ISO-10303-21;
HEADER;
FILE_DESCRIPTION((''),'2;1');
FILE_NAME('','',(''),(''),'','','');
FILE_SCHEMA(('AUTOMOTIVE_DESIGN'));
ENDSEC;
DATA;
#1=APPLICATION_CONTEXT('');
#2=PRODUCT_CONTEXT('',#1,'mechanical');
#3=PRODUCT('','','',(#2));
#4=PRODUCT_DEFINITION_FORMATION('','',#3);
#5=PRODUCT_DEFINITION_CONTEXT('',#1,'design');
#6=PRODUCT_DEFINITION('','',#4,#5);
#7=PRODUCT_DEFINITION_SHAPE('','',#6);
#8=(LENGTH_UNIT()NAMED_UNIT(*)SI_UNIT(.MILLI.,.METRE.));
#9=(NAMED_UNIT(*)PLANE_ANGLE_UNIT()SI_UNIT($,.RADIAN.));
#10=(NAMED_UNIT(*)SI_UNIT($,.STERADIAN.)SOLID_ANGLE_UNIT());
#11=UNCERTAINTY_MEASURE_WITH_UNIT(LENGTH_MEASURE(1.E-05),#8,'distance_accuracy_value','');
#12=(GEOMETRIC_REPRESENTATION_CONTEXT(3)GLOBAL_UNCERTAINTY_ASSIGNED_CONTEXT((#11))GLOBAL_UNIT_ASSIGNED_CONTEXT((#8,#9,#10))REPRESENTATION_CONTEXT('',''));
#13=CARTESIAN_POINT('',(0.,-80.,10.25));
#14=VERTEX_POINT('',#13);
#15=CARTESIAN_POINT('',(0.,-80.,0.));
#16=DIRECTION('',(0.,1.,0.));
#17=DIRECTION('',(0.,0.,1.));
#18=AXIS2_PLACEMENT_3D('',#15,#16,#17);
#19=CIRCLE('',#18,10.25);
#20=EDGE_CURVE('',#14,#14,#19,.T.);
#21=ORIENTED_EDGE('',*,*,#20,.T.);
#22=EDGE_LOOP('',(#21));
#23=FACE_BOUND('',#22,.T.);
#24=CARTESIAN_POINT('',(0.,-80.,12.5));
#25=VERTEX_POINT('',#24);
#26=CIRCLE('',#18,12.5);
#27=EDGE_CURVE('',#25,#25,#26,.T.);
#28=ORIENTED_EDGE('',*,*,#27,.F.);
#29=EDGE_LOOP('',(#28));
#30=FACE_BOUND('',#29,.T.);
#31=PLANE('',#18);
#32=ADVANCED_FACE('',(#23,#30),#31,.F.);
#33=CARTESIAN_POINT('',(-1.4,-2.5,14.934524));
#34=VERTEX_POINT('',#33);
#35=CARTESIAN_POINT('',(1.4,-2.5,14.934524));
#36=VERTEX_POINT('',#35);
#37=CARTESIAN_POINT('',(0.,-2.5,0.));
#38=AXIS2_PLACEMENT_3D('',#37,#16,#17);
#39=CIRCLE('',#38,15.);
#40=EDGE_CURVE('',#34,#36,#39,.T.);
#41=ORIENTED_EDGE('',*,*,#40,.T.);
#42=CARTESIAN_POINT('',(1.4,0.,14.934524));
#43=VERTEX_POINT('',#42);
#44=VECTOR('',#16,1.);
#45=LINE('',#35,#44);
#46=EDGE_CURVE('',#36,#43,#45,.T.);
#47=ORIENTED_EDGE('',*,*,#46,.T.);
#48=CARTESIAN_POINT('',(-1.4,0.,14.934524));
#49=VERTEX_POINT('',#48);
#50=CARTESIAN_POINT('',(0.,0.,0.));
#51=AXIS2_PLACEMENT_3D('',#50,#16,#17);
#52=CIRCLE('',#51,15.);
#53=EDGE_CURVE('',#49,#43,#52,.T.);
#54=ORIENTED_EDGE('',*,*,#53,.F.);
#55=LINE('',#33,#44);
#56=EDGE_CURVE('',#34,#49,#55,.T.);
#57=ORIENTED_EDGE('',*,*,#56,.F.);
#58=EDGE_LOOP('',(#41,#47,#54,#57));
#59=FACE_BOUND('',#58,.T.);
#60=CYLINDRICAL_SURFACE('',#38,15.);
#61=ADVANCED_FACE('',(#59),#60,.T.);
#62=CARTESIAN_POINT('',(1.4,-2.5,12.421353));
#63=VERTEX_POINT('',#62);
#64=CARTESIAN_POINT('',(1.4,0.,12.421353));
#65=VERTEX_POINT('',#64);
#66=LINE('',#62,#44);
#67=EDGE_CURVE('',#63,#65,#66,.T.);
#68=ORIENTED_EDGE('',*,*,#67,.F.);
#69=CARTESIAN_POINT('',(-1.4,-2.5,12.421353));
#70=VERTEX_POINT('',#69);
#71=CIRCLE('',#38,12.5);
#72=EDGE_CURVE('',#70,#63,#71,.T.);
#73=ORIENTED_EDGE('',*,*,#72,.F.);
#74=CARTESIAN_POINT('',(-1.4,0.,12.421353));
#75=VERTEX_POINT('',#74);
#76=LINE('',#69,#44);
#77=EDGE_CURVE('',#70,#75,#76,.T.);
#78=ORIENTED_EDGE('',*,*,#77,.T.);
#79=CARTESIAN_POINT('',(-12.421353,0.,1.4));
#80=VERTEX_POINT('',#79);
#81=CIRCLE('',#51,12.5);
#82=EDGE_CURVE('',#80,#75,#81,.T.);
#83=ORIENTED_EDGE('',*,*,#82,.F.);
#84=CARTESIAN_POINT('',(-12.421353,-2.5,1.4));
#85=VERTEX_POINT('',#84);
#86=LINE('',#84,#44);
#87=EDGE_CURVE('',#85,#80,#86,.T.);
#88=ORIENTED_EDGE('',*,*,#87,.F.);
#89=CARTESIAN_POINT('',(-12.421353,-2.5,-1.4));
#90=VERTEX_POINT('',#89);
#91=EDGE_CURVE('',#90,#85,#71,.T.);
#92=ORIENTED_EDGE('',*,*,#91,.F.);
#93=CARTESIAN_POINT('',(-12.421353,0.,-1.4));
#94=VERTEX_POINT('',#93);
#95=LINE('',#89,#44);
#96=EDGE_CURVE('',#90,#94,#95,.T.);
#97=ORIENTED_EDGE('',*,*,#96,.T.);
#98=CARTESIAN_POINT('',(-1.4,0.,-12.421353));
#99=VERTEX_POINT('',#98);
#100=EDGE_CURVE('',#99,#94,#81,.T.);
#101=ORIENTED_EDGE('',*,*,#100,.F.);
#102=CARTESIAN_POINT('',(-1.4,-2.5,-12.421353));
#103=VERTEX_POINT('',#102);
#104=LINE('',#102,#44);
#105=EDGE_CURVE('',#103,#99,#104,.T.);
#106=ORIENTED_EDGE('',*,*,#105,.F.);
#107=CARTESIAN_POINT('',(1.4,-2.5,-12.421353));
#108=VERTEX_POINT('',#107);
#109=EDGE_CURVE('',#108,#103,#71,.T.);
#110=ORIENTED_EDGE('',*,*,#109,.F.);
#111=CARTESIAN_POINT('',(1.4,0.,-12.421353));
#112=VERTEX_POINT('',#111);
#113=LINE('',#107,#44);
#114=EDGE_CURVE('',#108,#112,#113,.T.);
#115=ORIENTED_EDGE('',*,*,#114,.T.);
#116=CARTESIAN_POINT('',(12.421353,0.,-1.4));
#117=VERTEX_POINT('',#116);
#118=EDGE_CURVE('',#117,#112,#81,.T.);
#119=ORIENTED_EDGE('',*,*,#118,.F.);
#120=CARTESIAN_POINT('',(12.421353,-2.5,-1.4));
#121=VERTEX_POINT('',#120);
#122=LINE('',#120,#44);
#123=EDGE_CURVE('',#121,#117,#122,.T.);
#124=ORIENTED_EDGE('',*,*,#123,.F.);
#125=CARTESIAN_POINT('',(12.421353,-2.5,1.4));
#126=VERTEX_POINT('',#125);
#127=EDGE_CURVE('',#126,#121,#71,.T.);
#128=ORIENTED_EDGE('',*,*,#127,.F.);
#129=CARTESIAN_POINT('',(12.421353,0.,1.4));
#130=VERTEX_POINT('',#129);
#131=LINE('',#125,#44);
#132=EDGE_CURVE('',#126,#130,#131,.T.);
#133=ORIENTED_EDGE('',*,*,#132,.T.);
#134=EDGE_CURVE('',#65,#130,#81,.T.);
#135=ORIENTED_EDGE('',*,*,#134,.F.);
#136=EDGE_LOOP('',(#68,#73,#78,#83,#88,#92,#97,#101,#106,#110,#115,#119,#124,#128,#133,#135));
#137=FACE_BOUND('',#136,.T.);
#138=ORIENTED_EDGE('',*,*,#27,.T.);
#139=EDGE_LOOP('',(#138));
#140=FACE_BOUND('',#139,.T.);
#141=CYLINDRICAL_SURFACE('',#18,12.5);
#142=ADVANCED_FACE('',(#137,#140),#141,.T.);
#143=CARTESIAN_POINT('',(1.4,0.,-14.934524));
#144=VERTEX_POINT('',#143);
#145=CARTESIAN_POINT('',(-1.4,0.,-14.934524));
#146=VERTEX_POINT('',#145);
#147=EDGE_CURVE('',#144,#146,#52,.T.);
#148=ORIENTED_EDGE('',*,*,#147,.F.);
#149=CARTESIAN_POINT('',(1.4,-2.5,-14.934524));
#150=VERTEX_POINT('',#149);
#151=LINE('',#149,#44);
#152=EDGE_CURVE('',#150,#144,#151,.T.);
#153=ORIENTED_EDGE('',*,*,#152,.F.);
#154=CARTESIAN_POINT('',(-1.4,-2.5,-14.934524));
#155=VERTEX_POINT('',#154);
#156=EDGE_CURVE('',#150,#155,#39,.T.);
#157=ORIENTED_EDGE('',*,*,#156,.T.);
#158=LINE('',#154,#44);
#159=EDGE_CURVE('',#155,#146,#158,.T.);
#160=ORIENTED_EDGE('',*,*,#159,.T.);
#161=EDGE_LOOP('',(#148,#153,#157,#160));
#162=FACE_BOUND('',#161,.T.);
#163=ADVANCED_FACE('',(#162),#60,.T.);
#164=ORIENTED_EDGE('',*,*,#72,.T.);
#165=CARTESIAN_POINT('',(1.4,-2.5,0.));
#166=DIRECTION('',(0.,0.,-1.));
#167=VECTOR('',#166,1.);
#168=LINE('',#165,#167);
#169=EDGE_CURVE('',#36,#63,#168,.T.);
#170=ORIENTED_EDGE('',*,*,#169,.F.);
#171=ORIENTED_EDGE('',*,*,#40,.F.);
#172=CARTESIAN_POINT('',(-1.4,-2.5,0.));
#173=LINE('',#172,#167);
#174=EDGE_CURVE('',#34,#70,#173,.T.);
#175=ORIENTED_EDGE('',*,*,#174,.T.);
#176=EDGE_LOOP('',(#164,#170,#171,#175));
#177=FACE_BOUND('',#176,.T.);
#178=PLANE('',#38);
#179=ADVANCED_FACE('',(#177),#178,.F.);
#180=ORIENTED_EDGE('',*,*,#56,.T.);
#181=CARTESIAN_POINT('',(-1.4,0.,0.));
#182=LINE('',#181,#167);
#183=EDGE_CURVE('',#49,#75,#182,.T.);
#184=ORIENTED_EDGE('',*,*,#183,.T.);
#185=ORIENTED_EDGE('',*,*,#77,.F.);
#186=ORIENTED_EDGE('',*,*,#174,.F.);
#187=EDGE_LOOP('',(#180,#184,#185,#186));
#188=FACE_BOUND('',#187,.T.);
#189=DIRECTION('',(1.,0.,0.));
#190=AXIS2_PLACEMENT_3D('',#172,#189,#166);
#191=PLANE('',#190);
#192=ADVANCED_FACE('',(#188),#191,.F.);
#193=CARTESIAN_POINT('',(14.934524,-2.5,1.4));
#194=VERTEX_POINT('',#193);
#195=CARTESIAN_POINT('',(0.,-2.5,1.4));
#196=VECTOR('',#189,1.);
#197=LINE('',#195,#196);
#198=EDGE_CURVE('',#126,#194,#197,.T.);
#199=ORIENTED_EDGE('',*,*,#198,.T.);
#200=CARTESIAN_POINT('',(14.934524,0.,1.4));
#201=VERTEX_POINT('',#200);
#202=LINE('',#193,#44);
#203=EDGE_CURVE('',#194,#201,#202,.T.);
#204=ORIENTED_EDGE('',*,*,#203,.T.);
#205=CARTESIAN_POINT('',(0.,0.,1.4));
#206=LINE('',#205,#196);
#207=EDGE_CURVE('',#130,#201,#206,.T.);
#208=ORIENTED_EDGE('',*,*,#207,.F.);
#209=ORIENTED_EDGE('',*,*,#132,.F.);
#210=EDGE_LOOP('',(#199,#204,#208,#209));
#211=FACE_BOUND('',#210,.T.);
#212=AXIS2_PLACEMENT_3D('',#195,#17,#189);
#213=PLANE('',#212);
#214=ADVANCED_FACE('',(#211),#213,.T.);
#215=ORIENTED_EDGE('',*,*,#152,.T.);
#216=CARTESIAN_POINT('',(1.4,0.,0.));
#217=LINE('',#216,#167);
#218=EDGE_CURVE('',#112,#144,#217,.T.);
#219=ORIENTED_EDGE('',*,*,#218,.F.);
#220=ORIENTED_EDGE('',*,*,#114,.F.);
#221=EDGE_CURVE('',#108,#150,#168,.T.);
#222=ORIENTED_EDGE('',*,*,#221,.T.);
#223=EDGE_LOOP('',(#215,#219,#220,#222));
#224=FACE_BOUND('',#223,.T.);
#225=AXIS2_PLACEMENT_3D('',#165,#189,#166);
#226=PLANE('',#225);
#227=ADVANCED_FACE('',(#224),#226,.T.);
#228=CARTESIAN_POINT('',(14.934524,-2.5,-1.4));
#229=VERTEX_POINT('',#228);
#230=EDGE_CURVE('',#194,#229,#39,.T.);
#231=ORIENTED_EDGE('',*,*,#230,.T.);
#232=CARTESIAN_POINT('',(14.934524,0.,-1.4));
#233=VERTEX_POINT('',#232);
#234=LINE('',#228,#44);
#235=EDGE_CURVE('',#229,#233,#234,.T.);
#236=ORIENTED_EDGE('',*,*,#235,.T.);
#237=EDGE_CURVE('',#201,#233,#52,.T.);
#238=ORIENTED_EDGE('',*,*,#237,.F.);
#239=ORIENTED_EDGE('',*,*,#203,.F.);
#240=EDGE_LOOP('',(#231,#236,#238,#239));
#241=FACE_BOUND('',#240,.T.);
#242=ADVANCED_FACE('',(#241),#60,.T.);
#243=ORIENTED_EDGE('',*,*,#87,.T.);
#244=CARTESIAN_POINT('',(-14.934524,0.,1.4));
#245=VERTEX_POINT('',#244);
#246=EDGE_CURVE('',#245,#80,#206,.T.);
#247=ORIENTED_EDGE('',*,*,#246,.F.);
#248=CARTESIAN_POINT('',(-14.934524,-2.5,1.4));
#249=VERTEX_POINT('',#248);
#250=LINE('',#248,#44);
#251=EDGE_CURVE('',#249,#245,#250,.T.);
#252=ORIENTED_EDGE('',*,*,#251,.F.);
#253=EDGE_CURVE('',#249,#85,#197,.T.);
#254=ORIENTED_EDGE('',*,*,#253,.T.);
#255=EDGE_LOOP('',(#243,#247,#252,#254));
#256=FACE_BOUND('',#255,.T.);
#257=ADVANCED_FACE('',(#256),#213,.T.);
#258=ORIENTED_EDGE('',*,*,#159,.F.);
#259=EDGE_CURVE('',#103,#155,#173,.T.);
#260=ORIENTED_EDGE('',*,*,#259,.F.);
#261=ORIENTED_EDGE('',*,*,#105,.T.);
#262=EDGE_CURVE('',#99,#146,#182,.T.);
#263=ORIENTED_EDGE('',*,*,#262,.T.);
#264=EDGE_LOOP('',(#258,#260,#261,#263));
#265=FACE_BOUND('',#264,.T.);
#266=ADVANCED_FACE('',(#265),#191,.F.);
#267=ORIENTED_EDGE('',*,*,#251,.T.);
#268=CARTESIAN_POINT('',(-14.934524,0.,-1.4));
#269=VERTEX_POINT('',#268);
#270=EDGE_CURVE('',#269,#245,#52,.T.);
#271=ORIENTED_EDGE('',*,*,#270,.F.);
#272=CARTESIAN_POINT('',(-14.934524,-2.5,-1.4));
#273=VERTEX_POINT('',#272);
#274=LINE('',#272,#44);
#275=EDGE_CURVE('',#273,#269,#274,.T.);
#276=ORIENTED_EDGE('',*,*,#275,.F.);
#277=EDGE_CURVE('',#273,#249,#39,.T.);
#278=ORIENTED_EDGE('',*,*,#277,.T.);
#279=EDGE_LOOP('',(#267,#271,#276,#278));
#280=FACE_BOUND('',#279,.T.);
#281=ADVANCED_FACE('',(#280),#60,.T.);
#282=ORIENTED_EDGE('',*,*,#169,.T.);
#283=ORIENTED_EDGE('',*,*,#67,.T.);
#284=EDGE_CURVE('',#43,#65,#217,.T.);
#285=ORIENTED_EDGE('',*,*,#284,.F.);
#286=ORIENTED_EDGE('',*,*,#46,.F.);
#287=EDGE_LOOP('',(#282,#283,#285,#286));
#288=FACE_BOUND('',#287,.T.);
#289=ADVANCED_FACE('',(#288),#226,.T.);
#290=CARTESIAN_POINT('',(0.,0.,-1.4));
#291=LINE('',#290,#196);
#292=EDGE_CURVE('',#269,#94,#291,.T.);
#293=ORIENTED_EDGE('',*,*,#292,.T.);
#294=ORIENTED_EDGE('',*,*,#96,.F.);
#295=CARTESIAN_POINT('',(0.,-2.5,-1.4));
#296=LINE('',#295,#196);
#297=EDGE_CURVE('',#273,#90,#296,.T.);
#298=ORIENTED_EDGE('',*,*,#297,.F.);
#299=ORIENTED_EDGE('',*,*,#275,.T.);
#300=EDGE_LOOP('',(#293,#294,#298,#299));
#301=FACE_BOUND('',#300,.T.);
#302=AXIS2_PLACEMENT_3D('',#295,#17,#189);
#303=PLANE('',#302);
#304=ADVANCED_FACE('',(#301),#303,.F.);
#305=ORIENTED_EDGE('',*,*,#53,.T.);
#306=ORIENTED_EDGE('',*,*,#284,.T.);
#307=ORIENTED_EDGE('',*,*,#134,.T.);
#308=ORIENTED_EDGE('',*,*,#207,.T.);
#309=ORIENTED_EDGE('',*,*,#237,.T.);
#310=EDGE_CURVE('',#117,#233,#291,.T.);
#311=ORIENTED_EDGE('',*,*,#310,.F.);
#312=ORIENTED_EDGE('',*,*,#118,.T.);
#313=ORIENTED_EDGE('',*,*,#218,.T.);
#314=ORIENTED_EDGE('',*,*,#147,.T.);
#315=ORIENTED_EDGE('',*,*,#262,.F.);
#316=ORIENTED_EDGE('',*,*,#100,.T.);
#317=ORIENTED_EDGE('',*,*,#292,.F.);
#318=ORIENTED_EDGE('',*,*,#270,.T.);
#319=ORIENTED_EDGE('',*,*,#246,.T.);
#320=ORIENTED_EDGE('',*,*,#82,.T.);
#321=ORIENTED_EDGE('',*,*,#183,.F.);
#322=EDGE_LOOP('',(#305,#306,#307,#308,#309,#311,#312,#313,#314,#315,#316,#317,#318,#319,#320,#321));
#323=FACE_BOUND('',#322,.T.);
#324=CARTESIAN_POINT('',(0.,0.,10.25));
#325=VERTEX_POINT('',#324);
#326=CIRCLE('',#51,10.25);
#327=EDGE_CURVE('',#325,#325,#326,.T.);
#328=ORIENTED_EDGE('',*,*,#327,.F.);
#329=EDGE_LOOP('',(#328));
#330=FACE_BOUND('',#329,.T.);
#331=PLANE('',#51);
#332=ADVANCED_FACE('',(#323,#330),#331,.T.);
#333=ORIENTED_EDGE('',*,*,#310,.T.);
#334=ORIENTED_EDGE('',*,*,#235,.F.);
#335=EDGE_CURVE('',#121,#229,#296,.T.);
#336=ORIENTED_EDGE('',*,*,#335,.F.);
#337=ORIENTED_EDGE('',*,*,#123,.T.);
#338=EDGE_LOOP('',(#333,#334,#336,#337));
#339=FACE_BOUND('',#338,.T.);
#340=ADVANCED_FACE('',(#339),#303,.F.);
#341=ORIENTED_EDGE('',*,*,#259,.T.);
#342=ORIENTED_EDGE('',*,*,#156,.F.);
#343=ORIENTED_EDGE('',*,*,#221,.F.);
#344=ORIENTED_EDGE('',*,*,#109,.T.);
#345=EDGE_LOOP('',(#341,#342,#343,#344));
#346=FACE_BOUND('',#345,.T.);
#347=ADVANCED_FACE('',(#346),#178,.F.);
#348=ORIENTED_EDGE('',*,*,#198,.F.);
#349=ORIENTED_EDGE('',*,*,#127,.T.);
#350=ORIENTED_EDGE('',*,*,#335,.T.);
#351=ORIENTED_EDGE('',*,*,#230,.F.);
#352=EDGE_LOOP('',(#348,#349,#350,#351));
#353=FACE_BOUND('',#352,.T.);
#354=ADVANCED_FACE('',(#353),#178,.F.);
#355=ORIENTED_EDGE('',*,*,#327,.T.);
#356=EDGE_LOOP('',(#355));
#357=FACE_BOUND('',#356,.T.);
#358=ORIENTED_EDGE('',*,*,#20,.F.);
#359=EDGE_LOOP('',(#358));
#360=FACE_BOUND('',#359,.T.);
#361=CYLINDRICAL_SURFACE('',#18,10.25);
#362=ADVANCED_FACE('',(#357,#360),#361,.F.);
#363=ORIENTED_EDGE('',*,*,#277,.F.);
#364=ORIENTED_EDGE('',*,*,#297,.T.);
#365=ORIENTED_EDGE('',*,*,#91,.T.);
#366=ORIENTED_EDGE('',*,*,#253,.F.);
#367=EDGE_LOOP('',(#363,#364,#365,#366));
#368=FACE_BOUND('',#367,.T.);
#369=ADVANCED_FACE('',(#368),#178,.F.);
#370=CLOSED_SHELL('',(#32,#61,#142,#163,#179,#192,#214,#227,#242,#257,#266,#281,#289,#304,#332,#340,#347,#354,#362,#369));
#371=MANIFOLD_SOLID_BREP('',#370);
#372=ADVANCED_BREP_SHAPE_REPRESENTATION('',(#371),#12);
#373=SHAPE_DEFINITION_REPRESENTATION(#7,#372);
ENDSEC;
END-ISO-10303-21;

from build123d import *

# Parameters (mm, degrees)
BOSS_EXTRUDE1_DEPTH   = 2.5
BOSS_EXTRUDE1_2_DEPTH = 2.5
BOSS_EXTRUDE1_3_DEPTH = 2.5
BOSS_EXTRUDE1_4_DEPTH = 2.5
SKETCH1_3_R           = 10.25
BOSS_EXTRUDE2_DEPTH   = 80


with BuildPart() as part:
    # Sketch1 → Boss-Extrude1 (new body)
    with BuildSketch(Plane(origin=(0, 0, 0), x_dir=(1, 0, 0), z_dir=(0, 1, 0))):
        with BuildLine():
            ThreePointArc((-1.4, 12.421352583), (0, 12.5), (1.4, 12.421352583))
            Line((1.4, 12.421352583), (1.4, 14.934523762))
            ThreePointArc((1.4, 14.934523762), (0, 15), (-1.4, 14.934523762))
            Line((-1.4, 14.934523762), (-1.4, 12.421352583))
        make_face()
    extrude(amount=-BOSS_EXTRUDE1_DEPTH)



with BuildPart() as body_2:
    # Sketch1 → Boss-Extrude1 2 (new body)
    with BuildSketch(Plane(origin=(0, 0, 0), x_dir=(1, 0, 0), z_dir=(0, 1, 0))):
        with BuildLine():
            Line((14.934523762, 1.4), (12.421352583, 1.4))
            ThreePointArc((12.421352583, 1.4), (12.5, 0), (12.421352583, -1.4))
            Line((12.421352583, -1.4), (14.934523762, -1.4))
            ThreePointArc((14.934523762, -1.4), (15, 0), (14.934523762, 1.4))
        make_face()
    extrude(amount=-BOSS_EXTRUDE1_2_DEPTH)


with BuildPart() as body_3:
    # Sketch1 → Boss-Extrude1 3 (new body)
    with BuildSketch(Plane(origin=(0, 0, 0), x_dir=(1, 0, 0), z_dir=(0, 1, 0))):
        with BuildLine():
            ThreePointArc((-12.421352583, -1.4), (-12.5, 0), (-12.421352583, 1.4))
            Line((-12.421352583, 1.4), (-14.934523762, 1.4))
            ThreePointArc((-14.934523762, 1.4), (-15, 0), (-14.934523762, -1.4))
            Line((-14.934523762, -1.4), (-12.421352583, -1.4))
        make_face()
    extrude(amount=-BOSS_EXTRUDE1_3_DEPTH)


with BuildPart() as body_4:
    # Sketch1 → Boss-Extrude1 4 (new body)
    with BuildSketch(Plane(origin=(0, 0, 0), x_dir=(1, 0, 0), z_dir=(0, 1, 0))):
        with BuildLine():
            Line((1.4, -14.934523762), (1.4, -12.421352583))
            ThreePointArc((1.4, -12.421352583), (0, -12.5), (-1.4, -12.421352583))
            Line((-1.4, -12.421352583), (-1.4, -14.934523762))
            ThreePointArc((-1.4, -14.934523762), (0, -15), (1.4, -14.934523762))
        make_face()
    extrude(amount=-BOSS_EXTRUDE1_4_DEPTH)


with BuildPart() as part_1:
    add(part.part)

    add(body_2.part)  # Boss-Extrude2 merges body 2

    add(body_3.part)  # Boss-Extrude2 merges body 3

    add(body_4.part)  # Boss-Extrude2 merges body 4
    # Sketch1<3> → Boss-Extrude2 (add)
    with BuildSketch(Plane(origin=(0, 0, 0), x_dir=(1, 0, 0), z_dir=(0, 1, 0))):
        with BuildLine():
            ThreePointArc((12.421352583, 1.4), (8.838834765, 8.838834765), (1.4, 12.421352583))
            ThreePointArc((1.4, 12.421352583), (0, 12.5), (-1.4, 12.421352583))
            ThreePointArc((-1.4, 12.421352583), (-8.838834765, 8.838834765), (-12.421352583, 1.4))
            ThreePointArc((-12.421352583, 1.4), (-12.5, 0), (-12.421352583, -1.4))
            ThreePointArc((-12.421352583, -1.4), (-8.838834765, -8.838834765), (-1.4, -12.421352583))
            ThreePointArc((-1.4, -12.421352583), (0, -12.5), (1.4, -12.421352583))
            ThreePointArc((1.4, -12.421352583), (8.838834765, -8.838834765), (12.421352583, -1.4))
            ThreePointArc((12.421352583, -1.4), (12.480322658, -0.701103669), (12.5, 0))
            ThreePointArc((12.5, 0), (12.480322658, 0.701103669), (12.421352583, 1.4))
        make_face()
        Circle(SKETCH1_3_R, mode=Mode.SUBTRACT)
    extrude(amount=-BOSS_EXTRUDE2_DEPTH)


solid = part_1.part
